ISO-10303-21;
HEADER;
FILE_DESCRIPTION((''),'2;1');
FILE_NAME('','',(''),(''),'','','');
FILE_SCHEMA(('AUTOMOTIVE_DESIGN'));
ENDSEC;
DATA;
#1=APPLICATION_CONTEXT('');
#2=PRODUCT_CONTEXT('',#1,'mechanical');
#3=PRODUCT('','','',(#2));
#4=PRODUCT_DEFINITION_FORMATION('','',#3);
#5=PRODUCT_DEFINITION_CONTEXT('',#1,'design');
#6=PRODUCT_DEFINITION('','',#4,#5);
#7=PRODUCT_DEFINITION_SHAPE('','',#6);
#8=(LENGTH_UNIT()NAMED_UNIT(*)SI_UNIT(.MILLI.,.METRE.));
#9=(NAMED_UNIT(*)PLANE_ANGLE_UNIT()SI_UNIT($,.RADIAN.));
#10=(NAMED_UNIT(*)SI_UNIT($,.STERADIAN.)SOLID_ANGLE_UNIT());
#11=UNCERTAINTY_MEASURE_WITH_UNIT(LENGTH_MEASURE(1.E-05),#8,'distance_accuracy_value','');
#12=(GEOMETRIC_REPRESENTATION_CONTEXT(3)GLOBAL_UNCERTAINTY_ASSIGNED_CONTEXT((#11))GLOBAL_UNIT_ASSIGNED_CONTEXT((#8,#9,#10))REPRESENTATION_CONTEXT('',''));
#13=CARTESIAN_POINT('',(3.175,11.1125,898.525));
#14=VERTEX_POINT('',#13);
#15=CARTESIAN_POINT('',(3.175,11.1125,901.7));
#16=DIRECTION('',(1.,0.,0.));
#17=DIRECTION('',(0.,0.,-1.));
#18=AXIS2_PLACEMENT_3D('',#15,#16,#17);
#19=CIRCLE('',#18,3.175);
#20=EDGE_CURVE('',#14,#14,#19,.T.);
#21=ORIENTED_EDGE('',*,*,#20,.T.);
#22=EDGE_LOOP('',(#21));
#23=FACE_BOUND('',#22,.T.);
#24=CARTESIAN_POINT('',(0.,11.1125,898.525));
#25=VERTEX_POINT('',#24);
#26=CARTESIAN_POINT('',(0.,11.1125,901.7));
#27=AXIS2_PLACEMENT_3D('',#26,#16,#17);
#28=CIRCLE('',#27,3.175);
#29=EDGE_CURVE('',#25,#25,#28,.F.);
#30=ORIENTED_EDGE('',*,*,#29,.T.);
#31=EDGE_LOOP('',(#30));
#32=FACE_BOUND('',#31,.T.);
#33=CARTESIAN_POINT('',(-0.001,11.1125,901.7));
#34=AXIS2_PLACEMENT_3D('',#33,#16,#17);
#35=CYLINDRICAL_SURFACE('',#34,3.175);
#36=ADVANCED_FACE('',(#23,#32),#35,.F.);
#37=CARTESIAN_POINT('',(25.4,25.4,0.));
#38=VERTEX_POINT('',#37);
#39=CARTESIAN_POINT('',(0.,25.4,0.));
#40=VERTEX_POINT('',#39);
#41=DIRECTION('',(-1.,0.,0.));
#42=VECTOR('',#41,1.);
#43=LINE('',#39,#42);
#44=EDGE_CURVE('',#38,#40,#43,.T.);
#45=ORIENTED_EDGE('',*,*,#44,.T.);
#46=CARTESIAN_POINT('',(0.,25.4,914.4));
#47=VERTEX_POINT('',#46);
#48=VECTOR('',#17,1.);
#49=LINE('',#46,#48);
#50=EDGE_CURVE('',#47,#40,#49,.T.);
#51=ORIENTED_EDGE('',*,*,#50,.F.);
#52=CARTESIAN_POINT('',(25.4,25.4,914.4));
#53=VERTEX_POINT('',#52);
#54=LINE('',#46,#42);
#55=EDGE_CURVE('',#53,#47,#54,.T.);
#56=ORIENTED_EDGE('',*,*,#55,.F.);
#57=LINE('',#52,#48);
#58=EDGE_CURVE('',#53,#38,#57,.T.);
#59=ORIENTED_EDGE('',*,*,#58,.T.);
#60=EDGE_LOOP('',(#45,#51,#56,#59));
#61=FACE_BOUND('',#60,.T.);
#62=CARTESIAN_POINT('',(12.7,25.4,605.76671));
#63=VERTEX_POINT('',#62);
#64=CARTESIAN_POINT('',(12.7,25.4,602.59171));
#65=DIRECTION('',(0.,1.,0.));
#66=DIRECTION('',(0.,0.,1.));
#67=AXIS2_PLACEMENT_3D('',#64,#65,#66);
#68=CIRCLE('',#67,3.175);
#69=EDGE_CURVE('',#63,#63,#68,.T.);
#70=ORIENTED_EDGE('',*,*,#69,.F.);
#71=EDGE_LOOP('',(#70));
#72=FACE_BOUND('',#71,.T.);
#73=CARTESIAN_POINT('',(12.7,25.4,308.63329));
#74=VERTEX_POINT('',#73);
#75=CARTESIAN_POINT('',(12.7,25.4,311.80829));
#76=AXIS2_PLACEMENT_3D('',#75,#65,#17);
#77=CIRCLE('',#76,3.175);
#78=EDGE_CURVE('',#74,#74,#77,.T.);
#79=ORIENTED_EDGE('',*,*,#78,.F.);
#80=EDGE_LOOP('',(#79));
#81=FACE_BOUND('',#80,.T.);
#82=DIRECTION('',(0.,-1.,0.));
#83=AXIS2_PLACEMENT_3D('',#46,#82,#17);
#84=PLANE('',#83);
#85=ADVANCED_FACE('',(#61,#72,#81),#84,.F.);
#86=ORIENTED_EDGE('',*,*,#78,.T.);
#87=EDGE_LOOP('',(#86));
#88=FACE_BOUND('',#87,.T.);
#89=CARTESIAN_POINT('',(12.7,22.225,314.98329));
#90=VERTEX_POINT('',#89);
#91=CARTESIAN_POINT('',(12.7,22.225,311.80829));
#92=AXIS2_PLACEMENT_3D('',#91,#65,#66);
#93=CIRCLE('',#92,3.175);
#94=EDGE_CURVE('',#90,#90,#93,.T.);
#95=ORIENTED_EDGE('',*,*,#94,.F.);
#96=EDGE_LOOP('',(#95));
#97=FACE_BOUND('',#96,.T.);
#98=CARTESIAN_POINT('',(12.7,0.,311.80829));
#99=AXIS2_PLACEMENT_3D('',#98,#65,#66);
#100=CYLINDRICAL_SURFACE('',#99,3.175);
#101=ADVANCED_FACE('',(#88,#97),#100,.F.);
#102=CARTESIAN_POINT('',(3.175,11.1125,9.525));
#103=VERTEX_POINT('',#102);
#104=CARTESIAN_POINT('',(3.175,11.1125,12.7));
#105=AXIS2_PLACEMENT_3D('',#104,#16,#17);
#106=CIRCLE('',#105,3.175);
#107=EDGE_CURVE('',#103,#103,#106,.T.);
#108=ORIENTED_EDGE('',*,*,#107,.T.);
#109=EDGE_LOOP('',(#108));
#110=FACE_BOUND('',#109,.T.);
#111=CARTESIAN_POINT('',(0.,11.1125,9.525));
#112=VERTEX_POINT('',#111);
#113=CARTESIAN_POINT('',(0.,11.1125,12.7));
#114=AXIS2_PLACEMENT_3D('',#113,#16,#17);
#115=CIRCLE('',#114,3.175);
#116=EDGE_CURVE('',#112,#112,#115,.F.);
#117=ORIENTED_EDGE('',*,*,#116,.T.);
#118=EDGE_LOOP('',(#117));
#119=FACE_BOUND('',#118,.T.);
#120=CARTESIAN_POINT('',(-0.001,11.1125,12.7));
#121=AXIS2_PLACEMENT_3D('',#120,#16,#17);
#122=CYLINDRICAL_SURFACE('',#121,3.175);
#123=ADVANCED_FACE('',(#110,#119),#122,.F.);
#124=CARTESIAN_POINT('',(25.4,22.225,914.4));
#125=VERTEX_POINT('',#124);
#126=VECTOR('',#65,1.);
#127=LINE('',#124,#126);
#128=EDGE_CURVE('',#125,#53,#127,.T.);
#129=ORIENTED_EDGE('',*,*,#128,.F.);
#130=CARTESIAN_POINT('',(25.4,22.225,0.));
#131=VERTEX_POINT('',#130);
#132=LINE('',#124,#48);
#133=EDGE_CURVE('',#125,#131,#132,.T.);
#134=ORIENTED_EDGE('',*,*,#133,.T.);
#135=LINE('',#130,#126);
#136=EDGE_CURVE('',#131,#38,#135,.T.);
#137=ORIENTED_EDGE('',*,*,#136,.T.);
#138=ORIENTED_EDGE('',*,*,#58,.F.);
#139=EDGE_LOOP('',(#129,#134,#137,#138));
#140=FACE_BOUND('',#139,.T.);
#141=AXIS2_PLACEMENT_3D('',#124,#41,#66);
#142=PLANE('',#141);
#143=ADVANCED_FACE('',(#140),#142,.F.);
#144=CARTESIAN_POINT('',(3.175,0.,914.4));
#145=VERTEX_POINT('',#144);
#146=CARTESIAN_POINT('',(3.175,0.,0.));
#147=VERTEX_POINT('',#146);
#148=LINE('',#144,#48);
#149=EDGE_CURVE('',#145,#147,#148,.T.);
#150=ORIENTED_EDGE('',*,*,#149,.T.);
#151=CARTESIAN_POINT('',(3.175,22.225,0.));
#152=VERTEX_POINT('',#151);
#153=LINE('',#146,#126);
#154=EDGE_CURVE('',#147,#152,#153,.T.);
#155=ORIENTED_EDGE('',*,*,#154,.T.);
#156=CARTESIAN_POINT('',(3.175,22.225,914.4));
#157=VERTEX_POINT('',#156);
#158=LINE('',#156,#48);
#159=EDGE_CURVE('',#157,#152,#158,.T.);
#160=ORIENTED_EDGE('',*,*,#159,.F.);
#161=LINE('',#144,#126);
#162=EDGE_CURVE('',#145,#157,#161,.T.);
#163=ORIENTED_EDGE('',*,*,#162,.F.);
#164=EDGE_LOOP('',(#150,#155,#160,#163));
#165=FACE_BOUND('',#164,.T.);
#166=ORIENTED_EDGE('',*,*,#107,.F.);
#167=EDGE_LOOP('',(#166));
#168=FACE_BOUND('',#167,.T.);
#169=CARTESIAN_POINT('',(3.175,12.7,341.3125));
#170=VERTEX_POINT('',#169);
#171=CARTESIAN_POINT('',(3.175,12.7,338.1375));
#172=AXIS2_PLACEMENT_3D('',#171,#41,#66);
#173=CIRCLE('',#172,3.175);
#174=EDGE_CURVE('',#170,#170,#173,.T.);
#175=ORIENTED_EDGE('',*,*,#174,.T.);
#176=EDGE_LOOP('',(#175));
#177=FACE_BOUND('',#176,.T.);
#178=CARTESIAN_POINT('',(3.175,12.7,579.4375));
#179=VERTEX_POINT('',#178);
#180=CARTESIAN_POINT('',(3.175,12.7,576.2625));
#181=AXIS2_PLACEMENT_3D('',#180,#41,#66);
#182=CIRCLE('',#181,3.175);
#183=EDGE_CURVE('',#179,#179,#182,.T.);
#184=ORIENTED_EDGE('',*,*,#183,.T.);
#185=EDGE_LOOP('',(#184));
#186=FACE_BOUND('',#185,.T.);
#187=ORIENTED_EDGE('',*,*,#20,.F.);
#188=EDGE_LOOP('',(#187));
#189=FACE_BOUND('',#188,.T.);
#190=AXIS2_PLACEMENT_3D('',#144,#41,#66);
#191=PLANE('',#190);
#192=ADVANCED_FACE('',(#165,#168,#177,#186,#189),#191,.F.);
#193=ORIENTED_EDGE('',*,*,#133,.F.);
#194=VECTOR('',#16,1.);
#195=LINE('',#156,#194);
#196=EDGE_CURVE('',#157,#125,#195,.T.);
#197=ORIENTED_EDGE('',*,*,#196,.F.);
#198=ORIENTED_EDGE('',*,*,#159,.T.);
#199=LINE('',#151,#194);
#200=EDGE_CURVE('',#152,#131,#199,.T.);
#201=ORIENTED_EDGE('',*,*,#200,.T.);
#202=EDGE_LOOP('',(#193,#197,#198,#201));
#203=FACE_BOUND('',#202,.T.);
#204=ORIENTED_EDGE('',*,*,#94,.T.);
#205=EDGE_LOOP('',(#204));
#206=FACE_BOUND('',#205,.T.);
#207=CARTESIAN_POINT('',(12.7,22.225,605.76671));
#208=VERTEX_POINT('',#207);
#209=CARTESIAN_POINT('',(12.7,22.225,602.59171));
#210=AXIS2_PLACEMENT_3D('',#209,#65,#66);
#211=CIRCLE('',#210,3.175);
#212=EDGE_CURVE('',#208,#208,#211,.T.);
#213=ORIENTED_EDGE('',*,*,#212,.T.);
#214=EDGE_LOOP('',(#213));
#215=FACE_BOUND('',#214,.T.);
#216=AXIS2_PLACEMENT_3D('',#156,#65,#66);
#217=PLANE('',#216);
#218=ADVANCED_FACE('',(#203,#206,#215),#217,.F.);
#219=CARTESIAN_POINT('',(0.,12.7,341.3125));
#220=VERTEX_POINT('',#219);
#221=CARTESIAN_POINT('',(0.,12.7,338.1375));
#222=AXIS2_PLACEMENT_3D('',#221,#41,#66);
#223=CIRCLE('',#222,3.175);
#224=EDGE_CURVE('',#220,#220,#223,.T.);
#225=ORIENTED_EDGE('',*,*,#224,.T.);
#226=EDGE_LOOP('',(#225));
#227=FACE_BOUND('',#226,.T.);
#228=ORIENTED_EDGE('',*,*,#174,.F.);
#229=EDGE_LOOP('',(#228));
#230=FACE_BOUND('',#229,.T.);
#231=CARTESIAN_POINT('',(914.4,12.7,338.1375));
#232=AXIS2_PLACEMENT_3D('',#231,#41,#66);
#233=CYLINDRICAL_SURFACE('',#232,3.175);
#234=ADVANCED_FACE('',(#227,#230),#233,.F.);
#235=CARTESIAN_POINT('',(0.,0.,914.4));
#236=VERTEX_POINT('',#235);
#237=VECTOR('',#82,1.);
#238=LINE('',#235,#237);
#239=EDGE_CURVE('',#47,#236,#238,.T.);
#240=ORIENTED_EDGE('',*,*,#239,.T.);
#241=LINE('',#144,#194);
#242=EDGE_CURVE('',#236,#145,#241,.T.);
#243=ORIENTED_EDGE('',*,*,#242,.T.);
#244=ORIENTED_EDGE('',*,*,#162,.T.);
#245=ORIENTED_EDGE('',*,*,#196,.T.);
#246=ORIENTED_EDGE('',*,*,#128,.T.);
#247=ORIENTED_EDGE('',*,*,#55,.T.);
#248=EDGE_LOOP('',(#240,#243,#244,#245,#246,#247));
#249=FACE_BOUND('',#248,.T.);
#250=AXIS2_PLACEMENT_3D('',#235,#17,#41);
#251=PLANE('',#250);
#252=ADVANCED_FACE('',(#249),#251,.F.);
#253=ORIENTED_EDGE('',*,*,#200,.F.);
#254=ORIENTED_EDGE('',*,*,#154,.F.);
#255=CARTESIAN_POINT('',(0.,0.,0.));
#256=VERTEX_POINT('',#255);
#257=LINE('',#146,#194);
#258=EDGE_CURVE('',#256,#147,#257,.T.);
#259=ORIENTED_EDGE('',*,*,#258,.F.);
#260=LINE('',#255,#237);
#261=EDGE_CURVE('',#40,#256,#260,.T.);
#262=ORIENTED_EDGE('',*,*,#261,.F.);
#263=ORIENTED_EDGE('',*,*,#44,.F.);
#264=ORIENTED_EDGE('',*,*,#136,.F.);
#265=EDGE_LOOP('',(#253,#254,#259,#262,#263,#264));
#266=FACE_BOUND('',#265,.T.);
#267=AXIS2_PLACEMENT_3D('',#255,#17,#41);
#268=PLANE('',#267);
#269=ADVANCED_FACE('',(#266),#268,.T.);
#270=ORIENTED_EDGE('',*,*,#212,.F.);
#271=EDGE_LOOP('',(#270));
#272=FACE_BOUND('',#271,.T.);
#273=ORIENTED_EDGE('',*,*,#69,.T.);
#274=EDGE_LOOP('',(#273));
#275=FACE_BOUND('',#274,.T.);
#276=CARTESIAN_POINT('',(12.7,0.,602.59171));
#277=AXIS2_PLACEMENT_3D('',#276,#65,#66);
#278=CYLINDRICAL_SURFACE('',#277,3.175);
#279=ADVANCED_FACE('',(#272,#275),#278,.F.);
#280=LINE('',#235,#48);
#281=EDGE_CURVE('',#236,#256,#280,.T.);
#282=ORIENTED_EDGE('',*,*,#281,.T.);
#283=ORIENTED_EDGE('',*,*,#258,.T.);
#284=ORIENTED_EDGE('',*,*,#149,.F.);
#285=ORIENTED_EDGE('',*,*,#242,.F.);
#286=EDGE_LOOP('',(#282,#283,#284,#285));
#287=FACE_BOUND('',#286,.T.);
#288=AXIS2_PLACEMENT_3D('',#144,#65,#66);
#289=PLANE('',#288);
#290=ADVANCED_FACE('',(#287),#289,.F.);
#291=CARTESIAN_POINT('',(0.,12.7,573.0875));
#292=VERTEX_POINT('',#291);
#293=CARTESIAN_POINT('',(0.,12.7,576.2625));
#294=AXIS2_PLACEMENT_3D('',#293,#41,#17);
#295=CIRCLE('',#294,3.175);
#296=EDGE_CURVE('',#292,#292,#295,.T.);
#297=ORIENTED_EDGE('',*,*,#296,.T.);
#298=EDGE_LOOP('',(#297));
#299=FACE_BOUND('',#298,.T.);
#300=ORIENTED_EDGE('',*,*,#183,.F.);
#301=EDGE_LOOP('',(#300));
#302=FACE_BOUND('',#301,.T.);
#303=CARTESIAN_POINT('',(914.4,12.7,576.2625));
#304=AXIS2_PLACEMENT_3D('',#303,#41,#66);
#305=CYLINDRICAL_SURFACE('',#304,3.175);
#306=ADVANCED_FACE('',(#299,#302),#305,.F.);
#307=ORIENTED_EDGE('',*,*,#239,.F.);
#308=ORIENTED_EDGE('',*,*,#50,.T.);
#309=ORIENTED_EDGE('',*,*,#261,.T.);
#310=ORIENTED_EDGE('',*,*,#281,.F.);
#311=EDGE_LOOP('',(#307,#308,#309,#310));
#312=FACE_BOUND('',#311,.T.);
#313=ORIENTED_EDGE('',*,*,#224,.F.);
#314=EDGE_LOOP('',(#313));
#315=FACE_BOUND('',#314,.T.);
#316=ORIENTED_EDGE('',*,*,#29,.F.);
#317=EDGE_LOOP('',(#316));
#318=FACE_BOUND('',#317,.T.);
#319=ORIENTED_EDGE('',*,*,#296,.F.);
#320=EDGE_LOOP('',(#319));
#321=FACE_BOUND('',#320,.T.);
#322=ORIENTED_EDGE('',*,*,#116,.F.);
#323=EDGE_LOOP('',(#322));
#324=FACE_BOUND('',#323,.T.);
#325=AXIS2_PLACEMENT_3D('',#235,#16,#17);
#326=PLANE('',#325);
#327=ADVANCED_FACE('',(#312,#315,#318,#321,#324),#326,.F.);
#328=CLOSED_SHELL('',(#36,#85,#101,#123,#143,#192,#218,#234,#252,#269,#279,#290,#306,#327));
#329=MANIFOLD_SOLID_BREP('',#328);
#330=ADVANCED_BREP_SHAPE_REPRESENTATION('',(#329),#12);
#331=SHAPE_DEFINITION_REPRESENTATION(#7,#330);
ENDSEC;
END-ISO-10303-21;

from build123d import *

# Parameters (mm, degrees)
BOSS_EXTRUDE1_DEPTH = 914.4
SKETCH2_R           = 3.175
CUT_EXTRUDE1_DEPTH  = 914.4
SKETCH3_R           = 3.175
CUT_EXTRUDE2_DEPTH  = 916.10528356
CUT_EXTRUDE3_REACH  = 917.023
SKETCH4_R           = 3.175


with BuildPart() as part:
    # Sketch1 → Boss-Extrude1 (new body)
    with BuildSketch(Plane.XY):
        Polygon((0, 0), (0, 25.4), (25.4, 25.4), (25.4, 22.225), (3.175, 22.225), (3.175, 0), align=None)
    extrude(amount=BOSS_EXTRUDE1_DEPTH)

    # Sketch2 → Cut-Extrude1 (cut)
    with BuildSketch(Plane.ZY):
        with Locations((338.1375, 12.7)):
            Circle(SKETCH2_R)
        with Locations((576.2625, 12.7)):
            Circle(SKETCH2_R)
    extrude(amount=-CUT_EXTRUDE1_DEPTH, mode=Mode.SUBTRACT)

    # Sketch3 → Cut-Extrude2 (cut, through all)
    with BuildSketch(Plane(origin=(0, 25.4, 0), x_dir=(1, 0, 0), z_dir=(0, 1, 0))):
        with Locations(Location((12.7, -602.591710243, 0), (0, 0, 270))):
            Circle(SKETCH3_R)
        with Locations(Location((12.7, -311.808289757, 0), (0, 0, 270))):
            Circle(SKETCH3_R)
    extrude(amount=-CUT_EXTRUDE2_DEPTH, mode=Mode.SUBTRACT)

    # Sketch4 → Cut-Extrude3 (cut, up to next)
    with BuildSketch(Plane(origin=(3.175, 0, 0), x_dir=(0, 0, -1), z_dir=(1, 0, 0)), mode=Mode.PRIVATE) as cut_extrude3_sk1:
        with Locations((-901.7, 11.1125)):
            Circle(SKETCH4_R)
    cut_extrude3_tool1 = extrude(cut_extrude3_sk1.sketch, amount=-CUT_EXTRUDE3_REACH, mode=Mode.PRIVATE) & part.part
    # Sketch4 → Cut-Extrude3 (cut, up to next)
    with BuildSketch(Plane(origin=(3.175, 0, 0), x_dir=(0, 0, -1), z_dir=(1, 0, 0)), mode=Mode.PRIVATE) as cut_extrude3_sk2:
        with Locations((-12.7, 11.1125)):
            Circle(SKETCH4_R)
    cut_extrude3_tool2 = extrude(cut_extrude3_sk2.sketch, amount=-CUT_EXTRUDE3_REACH, mode=Mode.PRIVATE) & part.part
    add(cut_extrude3_tool1.solids().sort_by_distance((3.175, 11.1125, 901.7))[0], mode=Mode.SUBTRACT)
    add(cut_extrude3_tool2.solids().sort_by_distance((3.175, 11.1125, 12.7))[0], mode=Mode.SUBTRACT)


solid = part.part
